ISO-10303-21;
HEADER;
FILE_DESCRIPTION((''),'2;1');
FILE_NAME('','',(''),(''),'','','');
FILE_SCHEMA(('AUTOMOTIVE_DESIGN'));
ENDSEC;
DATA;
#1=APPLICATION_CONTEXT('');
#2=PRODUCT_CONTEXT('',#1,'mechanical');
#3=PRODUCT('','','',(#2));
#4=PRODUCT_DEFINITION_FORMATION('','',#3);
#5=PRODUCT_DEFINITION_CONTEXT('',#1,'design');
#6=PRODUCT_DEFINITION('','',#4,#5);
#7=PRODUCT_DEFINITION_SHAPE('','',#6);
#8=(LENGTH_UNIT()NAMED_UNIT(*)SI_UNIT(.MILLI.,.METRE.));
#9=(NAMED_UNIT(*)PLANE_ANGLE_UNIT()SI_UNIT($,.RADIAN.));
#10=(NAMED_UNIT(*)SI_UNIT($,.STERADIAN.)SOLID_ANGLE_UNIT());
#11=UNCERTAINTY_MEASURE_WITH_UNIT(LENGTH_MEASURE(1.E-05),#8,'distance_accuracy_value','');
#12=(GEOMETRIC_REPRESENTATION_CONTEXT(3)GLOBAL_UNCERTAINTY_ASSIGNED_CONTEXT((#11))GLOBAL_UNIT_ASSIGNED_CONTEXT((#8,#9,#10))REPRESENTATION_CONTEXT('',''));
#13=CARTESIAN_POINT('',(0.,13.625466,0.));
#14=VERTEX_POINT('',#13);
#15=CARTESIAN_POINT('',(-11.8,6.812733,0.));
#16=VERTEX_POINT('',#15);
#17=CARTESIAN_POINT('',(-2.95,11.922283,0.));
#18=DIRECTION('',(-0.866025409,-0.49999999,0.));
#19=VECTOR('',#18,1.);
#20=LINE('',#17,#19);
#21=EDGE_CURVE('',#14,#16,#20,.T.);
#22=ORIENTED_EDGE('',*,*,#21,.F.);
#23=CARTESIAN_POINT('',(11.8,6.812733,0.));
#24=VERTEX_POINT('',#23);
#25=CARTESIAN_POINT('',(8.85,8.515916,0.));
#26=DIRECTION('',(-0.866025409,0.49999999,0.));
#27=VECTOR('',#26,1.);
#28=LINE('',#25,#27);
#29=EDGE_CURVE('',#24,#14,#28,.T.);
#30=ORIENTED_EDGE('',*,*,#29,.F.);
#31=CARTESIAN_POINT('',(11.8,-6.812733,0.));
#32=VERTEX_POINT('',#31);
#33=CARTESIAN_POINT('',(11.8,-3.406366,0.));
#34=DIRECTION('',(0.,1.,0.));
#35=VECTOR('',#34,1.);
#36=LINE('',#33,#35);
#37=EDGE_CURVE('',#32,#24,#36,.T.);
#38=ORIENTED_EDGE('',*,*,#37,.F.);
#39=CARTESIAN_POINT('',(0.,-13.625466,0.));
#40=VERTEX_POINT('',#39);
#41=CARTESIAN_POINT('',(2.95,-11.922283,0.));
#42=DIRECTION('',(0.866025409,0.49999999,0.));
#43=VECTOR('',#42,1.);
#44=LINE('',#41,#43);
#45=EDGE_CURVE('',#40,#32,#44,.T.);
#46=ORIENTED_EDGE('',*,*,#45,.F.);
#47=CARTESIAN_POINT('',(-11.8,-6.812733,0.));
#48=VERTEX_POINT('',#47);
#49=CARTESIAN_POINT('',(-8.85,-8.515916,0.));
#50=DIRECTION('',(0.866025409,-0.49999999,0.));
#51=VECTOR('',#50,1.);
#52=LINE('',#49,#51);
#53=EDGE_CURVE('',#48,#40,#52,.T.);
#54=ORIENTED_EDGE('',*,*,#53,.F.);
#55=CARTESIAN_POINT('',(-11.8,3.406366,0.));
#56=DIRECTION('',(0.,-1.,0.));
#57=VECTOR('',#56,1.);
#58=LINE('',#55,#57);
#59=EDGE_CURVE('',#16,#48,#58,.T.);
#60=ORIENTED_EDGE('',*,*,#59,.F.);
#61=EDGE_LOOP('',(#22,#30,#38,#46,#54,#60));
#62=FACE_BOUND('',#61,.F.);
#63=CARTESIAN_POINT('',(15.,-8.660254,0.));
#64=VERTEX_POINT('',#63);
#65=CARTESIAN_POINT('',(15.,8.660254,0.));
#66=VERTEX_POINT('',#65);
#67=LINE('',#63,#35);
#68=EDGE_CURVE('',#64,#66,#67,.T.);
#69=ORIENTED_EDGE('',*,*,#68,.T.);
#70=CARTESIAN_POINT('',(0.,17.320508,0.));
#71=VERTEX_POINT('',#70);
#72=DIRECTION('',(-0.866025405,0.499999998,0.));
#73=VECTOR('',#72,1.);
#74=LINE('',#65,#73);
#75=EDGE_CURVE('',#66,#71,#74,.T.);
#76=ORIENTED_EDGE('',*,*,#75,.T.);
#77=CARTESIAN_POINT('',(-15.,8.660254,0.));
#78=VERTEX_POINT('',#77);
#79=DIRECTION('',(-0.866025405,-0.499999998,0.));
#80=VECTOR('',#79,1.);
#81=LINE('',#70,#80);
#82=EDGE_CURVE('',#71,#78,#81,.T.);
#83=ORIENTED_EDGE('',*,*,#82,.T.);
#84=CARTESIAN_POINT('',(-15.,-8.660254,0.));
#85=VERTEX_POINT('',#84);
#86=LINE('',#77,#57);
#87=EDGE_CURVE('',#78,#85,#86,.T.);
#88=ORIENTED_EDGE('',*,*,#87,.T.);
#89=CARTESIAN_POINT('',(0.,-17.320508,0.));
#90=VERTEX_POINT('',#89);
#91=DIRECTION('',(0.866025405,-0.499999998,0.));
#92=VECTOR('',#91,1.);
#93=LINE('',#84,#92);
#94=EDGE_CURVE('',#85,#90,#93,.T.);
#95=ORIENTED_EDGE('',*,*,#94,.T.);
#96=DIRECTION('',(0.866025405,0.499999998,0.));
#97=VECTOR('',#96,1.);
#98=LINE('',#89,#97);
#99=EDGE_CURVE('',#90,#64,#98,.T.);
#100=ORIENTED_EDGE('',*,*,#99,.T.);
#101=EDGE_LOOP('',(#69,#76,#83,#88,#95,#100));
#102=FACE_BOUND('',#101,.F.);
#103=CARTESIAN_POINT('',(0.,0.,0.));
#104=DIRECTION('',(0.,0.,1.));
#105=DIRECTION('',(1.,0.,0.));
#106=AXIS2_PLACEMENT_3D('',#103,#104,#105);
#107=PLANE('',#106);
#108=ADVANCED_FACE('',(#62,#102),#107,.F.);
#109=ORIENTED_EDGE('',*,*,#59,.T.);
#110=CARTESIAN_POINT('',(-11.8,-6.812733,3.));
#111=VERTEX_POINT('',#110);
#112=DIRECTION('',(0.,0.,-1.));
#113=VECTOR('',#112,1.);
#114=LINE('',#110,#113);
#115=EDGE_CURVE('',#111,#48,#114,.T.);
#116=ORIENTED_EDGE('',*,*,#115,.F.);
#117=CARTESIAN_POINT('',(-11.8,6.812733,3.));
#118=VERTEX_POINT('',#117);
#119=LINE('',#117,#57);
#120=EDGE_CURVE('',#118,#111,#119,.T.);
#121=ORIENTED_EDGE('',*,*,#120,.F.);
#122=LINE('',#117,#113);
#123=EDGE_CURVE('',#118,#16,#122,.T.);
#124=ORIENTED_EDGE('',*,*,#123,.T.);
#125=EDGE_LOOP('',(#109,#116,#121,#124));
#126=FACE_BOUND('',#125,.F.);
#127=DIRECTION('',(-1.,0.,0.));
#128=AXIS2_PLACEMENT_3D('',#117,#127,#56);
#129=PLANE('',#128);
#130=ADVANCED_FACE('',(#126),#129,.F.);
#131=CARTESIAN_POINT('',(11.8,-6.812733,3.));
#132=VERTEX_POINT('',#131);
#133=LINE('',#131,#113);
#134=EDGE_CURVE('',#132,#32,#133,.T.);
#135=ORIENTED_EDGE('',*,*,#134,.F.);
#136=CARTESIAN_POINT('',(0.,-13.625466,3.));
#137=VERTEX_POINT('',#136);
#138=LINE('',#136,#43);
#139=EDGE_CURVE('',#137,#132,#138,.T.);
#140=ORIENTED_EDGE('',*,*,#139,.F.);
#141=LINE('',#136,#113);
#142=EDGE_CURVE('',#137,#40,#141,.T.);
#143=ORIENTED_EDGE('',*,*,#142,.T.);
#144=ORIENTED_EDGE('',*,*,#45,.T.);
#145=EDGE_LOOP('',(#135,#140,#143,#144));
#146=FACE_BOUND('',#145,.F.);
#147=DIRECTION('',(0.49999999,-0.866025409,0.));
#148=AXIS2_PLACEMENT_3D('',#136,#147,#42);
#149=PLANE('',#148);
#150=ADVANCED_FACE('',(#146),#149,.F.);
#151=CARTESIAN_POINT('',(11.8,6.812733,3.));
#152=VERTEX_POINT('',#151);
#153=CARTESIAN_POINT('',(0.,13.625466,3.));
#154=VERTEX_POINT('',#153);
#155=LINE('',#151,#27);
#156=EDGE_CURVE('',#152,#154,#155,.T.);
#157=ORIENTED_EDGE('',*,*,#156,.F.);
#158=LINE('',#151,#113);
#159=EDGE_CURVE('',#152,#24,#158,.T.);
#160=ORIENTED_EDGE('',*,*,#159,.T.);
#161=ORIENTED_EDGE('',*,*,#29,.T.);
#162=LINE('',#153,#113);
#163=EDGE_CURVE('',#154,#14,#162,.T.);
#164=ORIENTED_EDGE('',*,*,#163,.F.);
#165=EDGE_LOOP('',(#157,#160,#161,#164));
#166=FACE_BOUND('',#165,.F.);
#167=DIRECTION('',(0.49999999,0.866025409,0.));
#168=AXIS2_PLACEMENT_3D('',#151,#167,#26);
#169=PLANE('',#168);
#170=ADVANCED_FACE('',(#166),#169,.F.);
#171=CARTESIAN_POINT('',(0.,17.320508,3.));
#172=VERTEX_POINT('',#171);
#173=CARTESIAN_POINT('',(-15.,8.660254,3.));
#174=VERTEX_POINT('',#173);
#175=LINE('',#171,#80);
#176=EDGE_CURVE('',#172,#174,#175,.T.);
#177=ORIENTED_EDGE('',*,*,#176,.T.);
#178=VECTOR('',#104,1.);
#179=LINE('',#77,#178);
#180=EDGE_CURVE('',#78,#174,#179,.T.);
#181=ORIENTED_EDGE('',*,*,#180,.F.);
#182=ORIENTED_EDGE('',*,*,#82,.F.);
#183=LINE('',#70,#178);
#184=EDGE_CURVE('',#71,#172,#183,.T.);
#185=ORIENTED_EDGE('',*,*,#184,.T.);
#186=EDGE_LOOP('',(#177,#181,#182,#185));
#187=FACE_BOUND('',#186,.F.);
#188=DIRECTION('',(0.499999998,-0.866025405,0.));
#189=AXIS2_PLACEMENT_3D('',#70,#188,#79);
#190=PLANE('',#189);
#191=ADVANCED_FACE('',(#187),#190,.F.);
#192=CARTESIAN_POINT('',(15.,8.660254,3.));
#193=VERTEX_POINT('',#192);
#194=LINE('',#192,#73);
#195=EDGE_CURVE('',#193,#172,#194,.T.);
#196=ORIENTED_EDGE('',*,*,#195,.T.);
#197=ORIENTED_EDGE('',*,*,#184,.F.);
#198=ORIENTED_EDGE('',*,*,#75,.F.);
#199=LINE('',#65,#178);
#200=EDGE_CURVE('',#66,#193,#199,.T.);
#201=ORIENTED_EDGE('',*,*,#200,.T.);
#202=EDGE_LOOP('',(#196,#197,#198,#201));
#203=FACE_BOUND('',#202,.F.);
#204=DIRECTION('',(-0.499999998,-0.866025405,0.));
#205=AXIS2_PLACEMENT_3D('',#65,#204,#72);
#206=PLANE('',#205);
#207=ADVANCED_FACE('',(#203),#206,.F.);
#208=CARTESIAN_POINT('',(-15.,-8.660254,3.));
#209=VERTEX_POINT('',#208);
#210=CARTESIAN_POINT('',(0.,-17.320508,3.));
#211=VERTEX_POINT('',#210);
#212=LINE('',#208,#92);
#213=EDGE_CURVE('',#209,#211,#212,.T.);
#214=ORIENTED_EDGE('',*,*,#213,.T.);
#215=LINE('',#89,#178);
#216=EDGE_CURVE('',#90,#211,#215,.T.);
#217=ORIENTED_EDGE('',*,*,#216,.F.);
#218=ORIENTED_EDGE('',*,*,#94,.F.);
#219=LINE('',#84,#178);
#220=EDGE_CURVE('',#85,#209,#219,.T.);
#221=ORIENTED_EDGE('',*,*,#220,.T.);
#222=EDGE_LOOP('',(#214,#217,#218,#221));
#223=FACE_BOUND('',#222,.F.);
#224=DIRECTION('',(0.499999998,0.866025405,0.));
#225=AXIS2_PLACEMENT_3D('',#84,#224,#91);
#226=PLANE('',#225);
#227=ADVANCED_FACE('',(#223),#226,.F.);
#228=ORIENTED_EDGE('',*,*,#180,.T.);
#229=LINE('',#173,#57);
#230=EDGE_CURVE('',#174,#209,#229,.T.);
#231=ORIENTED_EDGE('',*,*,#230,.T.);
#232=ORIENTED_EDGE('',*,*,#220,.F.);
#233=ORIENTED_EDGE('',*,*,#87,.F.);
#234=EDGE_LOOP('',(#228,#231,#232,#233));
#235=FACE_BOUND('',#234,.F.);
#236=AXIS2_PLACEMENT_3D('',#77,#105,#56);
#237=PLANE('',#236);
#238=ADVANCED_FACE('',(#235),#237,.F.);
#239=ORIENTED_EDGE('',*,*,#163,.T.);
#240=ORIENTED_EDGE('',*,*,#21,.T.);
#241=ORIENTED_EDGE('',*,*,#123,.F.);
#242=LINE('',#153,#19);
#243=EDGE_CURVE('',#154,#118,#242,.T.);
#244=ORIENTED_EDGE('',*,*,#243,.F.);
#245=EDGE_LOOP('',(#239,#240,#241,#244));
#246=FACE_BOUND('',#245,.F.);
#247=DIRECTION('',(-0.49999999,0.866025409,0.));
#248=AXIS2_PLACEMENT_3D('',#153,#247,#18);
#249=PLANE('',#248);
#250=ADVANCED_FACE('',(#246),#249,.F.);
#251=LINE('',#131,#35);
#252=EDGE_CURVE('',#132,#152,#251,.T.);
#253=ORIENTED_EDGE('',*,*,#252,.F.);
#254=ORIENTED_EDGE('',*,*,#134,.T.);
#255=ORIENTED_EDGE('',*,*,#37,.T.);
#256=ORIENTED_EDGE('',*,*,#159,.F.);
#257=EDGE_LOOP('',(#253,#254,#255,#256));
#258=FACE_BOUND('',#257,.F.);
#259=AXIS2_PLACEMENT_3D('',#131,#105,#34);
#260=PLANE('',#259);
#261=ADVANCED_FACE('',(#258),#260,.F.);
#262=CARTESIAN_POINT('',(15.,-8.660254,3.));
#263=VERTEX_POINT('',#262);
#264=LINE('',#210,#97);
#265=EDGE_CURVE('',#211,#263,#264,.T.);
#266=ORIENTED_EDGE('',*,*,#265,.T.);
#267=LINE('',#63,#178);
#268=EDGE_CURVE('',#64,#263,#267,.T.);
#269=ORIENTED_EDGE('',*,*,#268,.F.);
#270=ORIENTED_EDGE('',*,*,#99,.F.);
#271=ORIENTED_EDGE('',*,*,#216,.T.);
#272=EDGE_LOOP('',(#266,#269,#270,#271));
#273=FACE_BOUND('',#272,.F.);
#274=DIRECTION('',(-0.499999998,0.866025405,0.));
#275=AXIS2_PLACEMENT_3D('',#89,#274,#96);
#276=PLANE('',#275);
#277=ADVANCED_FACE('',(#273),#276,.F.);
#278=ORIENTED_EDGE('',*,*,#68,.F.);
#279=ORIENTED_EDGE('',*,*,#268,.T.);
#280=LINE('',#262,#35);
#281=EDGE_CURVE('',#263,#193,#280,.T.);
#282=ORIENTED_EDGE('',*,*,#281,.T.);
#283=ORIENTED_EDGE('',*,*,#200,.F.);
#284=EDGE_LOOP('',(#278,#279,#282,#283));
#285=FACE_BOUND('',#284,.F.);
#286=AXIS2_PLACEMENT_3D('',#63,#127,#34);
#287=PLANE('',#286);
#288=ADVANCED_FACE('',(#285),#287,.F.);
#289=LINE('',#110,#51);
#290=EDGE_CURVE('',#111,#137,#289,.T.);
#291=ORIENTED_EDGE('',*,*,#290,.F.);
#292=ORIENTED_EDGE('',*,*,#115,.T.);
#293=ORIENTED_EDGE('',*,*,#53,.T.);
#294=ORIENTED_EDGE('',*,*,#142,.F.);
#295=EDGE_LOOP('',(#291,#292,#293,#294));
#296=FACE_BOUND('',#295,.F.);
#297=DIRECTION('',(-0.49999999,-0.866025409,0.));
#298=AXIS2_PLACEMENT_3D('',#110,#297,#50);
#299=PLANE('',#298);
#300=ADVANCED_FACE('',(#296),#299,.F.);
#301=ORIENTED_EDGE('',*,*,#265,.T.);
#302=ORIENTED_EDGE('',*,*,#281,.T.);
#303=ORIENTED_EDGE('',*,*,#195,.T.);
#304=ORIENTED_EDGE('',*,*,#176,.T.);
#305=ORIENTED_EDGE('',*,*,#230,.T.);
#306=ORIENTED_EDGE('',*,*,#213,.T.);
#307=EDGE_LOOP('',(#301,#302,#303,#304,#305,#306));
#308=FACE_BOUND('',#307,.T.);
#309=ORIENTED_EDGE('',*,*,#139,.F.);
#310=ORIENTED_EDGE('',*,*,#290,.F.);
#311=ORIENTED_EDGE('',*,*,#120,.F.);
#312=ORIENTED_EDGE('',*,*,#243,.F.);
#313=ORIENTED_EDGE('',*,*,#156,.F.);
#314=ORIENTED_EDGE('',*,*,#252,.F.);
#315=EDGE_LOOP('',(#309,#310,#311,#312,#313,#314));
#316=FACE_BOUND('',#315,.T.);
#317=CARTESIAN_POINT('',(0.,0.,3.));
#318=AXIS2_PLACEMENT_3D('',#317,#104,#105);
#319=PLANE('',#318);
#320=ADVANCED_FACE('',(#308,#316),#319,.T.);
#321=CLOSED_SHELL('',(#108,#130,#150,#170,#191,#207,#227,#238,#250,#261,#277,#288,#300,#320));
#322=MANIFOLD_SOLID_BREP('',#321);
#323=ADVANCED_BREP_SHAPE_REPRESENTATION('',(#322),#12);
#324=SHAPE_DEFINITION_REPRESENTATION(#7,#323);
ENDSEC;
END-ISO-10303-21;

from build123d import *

# Parameters (mm, degrees)
F1_DEPTH = 3
F3_DEPTH = 25


with BuildPart() as f1:
    # F0 (on Top) → F1 (new body)
    with BuildSketch(Plane.XY):
        Polygon((15, -8.660254), (15, 8.660254), (0, 17.320508), (-15, 8.660254), (-15, -8.660254), (0, -17.320508), align=None)
    extrude(amount=F1_DEPTH)

    # F2 (on face) → F3 (cut)
    with BuildSketch(Plane.XY.offset(3)):
        Polygon((0, -13.625466), (11.8, -6.812733), (11.8, 6.812733), (0, 13.625466), (-11.8, 6.812733), (-11.8, -6.812733), align=None)
    extrude(amount=-F3_DEPTH, mode=Mode.SUBTRACT)


solid = f1.part
